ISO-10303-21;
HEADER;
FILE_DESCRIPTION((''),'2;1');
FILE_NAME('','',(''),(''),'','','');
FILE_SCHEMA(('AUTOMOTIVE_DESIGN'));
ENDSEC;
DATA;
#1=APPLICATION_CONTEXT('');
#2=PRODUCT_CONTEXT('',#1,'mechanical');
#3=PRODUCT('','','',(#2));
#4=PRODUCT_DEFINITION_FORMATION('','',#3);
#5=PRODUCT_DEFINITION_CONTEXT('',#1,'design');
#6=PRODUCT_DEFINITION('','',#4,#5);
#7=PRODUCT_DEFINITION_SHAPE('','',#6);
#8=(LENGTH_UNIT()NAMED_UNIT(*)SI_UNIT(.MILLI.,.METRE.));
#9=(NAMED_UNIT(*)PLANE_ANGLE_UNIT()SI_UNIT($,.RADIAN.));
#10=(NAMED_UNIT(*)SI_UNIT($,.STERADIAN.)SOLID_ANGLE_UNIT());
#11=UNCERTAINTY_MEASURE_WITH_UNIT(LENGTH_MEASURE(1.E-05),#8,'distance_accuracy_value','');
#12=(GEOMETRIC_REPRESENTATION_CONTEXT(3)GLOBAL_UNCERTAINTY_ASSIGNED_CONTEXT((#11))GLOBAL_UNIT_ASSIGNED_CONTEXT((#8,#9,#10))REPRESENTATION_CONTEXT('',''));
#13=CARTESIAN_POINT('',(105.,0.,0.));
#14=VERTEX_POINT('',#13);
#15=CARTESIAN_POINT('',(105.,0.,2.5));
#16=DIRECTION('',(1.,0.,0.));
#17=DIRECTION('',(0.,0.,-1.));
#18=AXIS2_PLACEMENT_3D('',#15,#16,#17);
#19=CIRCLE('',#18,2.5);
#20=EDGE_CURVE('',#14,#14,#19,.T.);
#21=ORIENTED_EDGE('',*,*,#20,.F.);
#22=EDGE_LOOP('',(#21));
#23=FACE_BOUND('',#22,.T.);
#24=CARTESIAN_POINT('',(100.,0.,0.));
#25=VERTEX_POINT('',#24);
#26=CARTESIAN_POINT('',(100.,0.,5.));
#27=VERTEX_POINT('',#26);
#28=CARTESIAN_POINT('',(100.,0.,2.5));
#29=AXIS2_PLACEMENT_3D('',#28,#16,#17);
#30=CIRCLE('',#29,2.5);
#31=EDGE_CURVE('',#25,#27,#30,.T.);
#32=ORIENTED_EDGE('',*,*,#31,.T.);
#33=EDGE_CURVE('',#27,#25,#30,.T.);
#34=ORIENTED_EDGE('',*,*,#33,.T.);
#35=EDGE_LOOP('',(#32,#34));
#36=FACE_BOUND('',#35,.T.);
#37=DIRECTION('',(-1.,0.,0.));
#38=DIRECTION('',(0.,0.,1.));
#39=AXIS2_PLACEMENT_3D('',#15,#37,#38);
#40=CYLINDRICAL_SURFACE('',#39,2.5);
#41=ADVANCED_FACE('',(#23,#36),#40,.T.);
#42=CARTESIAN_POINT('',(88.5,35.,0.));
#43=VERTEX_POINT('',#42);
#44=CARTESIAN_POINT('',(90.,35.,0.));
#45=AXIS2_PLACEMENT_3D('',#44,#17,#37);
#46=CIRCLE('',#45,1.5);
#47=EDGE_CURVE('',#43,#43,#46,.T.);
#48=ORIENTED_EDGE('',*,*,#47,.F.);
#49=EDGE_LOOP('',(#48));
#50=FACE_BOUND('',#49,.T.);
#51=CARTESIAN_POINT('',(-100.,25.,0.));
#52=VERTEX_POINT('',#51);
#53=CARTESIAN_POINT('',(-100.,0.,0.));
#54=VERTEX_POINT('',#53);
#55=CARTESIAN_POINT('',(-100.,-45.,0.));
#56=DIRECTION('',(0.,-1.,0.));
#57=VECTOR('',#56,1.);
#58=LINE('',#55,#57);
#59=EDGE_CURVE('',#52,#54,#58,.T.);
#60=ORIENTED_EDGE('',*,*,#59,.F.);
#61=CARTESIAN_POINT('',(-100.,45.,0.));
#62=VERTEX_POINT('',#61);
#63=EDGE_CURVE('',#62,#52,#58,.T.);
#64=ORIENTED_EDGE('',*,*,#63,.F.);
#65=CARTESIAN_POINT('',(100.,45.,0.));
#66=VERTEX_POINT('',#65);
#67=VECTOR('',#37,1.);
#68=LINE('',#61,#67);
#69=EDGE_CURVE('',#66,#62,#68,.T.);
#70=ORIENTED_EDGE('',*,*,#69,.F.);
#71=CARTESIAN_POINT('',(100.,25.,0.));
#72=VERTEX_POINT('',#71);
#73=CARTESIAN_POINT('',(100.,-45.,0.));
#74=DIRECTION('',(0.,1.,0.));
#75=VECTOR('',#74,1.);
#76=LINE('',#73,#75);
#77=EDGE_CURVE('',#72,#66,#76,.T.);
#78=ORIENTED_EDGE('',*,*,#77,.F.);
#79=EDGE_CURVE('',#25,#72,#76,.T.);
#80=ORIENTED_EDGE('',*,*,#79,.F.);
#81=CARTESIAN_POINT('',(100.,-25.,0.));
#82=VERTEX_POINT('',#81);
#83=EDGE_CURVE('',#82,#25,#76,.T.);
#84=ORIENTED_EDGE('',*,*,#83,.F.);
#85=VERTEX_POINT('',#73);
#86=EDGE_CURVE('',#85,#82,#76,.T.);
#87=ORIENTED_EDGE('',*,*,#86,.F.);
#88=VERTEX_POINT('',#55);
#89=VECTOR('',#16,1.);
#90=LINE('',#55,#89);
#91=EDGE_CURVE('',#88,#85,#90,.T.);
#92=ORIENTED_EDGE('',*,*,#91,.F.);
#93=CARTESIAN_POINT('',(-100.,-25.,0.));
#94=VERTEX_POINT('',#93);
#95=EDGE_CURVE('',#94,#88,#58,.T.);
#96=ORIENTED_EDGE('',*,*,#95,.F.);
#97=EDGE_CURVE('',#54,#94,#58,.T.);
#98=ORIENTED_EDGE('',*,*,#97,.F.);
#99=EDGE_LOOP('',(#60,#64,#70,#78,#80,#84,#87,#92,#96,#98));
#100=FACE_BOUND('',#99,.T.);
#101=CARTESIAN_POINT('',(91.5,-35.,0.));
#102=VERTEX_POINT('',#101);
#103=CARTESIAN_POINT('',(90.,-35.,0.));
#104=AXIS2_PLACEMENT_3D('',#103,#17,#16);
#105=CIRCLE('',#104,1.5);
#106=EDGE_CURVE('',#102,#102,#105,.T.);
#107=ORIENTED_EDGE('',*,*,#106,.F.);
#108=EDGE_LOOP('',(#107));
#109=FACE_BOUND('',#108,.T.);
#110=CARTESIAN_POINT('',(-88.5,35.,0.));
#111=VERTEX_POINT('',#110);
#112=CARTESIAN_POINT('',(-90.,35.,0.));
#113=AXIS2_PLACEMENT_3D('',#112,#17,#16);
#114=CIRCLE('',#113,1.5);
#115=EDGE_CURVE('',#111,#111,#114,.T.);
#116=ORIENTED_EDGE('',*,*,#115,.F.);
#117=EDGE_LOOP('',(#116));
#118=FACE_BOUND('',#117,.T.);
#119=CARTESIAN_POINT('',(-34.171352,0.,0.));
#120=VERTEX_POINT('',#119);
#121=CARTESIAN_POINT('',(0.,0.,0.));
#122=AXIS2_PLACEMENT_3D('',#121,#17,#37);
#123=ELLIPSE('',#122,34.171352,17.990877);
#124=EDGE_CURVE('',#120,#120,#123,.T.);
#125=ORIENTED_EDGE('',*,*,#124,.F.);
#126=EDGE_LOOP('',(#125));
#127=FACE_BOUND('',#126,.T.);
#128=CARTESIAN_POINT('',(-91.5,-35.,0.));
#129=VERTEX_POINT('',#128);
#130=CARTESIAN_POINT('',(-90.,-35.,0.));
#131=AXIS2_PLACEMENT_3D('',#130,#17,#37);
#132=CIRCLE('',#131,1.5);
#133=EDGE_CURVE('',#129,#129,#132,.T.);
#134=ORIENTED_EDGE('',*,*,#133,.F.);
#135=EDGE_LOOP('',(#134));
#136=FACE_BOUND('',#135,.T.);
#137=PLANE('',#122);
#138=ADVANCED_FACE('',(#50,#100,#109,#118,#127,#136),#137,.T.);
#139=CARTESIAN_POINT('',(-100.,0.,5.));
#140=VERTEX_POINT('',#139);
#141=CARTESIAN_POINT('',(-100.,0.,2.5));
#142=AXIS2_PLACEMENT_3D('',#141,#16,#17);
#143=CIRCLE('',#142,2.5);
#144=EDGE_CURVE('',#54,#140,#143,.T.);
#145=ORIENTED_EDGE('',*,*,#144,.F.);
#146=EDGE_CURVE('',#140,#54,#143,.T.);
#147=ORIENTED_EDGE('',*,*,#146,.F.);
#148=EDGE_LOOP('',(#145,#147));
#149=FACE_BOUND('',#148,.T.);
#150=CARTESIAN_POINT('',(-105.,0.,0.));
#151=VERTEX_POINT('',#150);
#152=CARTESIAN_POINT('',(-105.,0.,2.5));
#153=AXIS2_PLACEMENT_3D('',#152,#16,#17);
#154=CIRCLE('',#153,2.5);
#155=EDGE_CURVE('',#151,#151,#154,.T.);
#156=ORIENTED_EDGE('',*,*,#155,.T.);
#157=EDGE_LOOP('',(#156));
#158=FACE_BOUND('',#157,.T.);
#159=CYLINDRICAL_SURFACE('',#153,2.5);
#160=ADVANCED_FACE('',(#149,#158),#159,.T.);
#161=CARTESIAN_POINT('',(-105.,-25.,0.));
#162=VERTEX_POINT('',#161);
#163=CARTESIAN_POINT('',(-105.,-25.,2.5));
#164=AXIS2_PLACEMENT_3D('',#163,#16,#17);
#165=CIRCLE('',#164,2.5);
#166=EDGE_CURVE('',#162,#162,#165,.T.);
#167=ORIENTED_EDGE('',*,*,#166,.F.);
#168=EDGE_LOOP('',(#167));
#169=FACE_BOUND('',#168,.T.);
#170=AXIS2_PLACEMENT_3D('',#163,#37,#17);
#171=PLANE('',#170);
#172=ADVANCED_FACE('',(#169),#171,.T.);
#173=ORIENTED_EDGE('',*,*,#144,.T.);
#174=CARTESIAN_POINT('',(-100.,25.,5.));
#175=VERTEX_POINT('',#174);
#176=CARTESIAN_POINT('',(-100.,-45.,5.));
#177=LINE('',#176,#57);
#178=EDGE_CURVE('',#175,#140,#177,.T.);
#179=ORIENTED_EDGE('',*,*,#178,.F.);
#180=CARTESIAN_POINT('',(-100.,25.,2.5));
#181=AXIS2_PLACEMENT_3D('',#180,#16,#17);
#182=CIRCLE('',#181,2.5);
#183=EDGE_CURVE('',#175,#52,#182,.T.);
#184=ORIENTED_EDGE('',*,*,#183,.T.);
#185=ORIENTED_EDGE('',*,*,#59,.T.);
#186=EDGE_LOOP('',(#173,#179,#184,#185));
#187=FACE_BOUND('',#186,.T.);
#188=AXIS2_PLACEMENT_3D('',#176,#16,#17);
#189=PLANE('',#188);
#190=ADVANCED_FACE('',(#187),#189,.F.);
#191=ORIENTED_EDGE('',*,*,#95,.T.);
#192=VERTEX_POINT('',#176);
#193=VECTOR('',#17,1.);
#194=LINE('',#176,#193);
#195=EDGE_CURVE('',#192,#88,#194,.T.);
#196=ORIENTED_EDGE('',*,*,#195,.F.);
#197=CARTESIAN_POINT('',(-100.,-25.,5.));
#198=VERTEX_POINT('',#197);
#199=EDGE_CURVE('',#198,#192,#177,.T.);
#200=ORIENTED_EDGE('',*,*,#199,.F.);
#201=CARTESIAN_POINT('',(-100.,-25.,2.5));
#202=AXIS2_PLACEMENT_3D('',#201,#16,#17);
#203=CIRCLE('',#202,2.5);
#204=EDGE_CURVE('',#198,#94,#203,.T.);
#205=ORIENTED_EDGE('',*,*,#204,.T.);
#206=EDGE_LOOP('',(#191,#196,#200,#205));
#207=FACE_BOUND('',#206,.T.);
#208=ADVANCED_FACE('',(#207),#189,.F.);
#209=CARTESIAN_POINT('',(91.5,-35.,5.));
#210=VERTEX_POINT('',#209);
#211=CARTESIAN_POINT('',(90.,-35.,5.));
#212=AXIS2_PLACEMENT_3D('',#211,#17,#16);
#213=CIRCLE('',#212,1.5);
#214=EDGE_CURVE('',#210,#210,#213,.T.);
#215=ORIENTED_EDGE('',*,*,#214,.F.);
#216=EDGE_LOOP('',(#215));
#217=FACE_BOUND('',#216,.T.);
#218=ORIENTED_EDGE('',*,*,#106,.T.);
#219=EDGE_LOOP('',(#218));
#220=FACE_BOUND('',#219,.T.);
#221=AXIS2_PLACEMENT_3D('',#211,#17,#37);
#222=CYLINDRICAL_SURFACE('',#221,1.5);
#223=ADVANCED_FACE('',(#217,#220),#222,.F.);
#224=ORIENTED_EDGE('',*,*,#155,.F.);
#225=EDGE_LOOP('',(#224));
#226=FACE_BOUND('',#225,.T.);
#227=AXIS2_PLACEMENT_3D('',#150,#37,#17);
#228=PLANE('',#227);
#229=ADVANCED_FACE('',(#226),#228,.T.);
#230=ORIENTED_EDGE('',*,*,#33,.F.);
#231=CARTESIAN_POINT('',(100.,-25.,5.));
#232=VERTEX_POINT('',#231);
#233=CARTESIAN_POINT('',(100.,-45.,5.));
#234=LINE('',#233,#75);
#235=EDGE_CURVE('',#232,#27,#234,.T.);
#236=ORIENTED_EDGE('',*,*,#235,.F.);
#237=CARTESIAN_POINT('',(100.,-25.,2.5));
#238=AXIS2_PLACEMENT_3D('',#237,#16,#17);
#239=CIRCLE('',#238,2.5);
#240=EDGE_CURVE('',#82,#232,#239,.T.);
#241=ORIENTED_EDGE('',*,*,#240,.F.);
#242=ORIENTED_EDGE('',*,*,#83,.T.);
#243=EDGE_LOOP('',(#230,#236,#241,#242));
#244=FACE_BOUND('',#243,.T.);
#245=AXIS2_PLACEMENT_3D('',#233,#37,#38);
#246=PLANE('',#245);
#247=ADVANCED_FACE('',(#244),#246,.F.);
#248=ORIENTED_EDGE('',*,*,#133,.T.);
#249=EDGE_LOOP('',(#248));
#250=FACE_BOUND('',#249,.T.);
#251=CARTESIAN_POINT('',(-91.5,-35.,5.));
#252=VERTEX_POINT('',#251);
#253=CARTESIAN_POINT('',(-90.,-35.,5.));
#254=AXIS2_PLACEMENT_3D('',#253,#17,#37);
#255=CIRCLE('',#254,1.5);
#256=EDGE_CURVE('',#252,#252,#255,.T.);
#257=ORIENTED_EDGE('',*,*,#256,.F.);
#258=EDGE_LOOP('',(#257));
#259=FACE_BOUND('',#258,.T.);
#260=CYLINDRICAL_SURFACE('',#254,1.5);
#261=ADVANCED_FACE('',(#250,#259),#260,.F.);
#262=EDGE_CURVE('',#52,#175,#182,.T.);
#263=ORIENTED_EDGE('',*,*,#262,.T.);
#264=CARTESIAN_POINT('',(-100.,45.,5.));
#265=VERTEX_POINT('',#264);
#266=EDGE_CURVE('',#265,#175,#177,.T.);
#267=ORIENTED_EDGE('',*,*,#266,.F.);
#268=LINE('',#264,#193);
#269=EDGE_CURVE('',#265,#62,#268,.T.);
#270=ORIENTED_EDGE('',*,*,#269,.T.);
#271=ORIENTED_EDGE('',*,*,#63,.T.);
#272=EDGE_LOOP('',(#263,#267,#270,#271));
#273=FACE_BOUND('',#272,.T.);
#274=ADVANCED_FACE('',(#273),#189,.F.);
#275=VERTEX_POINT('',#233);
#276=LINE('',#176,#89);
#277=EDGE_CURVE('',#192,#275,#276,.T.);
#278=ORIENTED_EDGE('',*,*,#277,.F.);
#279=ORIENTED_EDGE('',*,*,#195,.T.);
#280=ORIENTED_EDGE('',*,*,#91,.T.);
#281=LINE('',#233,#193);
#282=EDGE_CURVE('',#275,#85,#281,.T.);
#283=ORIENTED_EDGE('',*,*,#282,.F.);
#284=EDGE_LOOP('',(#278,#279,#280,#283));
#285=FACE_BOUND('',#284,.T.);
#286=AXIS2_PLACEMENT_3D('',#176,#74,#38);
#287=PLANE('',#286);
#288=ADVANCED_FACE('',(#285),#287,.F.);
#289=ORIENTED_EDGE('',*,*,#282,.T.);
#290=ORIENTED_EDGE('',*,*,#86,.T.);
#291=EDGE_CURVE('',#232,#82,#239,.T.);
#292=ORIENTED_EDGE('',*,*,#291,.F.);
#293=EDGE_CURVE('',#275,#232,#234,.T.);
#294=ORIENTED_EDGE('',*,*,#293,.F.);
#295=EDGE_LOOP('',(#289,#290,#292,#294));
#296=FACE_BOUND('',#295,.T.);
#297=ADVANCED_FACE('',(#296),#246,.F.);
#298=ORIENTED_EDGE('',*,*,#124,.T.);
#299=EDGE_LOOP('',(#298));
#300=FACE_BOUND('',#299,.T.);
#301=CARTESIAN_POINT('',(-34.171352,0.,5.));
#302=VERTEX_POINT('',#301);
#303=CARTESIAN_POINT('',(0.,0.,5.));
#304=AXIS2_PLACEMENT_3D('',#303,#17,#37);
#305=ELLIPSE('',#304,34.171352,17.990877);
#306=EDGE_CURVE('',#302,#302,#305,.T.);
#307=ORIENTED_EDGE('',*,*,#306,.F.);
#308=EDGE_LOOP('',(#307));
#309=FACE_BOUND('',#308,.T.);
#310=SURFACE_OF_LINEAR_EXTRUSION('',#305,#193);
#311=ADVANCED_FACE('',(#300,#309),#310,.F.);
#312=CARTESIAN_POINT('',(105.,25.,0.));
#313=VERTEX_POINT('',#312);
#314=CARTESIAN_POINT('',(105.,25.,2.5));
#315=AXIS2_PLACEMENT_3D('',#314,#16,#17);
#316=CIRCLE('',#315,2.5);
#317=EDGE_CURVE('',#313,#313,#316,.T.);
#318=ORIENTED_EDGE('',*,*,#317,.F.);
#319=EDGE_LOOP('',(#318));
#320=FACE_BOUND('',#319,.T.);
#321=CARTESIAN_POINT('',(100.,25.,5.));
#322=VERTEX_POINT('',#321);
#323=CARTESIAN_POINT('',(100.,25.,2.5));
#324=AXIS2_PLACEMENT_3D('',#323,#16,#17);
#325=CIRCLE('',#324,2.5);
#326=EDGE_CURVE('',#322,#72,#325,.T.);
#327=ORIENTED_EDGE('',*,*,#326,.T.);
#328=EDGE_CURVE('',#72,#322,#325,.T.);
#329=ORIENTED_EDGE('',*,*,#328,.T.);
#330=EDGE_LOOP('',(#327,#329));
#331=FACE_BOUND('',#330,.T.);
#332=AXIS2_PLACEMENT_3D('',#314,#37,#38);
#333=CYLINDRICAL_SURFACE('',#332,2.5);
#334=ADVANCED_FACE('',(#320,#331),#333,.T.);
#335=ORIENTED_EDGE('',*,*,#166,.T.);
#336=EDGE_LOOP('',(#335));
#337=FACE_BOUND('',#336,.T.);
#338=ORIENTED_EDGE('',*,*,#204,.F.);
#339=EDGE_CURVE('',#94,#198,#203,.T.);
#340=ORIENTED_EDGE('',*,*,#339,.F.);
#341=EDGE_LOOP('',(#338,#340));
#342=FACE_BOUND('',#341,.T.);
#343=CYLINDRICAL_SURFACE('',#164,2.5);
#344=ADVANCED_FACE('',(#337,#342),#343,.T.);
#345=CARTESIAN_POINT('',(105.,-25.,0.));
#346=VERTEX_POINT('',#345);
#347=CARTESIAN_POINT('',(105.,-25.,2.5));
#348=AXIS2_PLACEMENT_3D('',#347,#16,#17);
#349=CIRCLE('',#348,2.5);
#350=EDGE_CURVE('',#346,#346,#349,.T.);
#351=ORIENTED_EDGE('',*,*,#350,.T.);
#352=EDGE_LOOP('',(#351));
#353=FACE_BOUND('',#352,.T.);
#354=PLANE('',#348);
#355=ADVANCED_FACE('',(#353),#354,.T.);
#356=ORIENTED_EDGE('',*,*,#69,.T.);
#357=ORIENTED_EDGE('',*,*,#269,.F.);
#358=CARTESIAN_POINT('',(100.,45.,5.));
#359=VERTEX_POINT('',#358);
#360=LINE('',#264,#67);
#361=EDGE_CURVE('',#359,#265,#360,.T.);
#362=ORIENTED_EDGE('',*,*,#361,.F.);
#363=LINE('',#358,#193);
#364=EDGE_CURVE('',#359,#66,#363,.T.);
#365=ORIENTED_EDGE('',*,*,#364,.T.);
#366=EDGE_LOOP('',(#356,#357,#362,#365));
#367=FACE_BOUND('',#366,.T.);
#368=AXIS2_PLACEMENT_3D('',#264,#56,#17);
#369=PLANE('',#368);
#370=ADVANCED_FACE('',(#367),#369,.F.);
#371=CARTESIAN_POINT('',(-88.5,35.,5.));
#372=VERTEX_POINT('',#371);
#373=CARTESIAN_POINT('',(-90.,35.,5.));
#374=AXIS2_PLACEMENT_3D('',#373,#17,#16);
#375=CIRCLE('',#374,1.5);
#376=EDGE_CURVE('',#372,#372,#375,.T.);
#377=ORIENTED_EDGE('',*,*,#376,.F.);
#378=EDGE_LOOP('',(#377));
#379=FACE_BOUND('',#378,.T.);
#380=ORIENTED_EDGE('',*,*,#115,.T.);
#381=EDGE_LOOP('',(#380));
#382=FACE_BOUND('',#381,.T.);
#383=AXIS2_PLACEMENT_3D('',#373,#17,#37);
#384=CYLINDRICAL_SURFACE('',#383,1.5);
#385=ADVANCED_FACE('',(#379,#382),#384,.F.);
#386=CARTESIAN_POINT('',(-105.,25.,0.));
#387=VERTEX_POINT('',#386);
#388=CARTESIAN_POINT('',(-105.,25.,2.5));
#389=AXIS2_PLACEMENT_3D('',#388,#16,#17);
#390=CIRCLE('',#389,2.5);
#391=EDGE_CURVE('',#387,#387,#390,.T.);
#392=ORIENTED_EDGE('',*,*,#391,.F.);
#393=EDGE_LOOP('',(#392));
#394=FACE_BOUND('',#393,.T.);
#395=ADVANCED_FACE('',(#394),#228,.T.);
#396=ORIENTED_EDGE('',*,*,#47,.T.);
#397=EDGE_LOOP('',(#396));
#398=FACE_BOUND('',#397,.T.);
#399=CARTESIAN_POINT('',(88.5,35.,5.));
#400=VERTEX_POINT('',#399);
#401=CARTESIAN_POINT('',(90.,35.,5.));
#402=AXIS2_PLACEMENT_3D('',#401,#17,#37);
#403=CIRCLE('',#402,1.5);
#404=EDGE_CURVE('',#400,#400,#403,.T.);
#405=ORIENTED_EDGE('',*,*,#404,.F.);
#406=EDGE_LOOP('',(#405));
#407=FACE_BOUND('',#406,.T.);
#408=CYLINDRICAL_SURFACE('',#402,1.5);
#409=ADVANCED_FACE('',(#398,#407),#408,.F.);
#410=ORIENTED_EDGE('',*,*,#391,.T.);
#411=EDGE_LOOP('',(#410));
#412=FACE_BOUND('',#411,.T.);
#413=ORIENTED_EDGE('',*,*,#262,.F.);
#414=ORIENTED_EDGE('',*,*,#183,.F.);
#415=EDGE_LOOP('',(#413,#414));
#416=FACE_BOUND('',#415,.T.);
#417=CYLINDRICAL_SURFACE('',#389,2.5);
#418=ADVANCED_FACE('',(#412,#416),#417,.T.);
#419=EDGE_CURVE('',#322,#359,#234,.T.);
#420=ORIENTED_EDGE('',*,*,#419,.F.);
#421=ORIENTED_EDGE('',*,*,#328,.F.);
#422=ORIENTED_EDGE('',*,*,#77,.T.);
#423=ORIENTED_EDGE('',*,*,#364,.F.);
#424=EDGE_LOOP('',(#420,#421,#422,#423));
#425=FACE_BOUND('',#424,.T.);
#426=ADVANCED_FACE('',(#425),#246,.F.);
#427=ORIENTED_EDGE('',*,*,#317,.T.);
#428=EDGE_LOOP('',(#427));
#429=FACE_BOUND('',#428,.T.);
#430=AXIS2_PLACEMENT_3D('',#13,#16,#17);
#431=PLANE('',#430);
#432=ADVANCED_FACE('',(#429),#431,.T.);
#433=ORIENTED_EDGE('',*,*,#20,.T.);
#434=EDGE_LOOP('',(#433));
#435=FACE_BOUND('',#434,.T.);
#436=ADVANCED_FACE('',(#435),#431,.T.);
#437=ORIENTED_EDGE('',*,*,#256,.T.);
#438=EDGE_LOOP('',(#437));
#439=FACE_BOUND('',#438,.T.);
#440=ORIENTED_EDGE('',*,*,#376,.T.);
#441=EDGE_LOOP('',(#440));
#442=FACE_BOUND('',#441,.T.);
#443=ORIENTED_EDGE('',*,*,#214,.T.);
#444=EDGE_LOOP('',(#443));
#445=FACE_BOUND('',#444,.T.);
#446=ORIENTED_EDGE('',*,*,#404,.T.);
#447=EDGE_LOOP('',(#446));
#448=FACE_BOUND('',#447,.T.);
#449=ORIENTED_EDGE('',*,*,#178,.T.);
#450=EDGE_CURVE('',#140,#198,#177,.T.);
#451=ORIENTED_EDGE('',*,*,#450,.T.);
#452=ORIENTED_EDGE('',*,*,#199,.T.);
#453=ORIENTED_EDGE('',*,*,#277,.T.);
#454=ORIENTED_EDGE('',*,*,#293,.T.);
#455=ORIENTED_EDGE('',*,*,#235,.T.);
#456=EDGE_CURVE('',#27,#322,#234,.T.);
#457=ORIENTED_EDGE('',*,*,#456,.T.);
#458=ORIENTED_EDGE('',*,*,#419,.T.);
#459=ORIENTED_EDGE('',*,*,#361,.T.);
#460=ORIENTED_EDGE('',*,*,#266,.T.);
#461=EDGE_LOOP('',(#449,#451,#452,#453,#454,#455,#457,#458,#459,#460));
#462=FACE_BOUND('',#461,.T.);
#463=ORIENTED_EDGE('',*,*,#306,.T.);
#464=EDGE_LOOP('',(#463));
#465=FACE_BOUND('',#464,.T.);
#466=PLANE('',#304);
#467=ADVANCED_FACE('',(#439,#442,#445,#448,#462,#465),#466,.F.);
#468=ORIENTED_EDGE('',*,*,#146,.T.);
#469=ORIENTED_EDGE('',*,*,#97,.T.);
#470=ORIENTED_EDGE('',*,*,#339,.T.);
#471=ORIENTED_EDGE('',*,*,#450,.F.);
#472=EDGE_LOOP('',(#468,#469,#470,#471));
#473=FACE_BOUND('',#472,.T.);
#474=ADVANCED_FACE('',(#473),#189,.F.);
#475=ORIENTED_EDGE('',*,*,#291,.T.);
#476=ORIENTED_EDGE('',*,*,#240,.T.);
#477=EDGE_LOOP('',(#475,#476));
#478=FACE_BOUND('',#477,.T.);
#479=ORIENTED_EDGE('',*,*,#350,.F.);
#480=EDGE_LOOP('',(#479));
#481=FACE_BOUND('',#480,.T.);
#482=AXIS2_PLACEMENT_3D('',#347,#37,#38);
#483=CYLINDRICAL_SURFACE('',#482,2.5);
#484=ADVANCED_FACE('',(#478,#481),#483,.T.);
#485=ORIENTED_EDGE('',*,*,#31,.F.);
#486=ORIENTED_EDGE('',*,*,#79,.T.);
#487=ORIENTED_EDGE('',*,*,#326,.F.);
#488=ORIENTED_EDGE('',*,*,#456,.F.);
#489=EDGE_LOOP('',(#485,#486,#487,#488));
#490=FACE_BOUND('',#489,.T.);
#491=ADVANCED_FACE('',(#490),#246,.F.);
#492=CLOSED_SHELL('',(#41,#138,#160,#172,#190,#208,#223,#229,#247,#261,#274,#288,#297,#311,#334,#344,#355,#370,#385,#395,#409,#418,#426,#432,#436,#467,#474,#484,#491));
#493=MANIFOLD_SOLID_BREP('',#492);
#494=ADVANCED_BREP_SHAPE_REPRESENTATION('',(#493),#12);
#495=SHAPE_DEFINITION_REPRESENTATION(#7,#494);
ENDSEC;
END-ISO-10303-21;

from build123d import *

# Parameters (mm, degrees)
SKETCH1_W           = 200
SKETCH1_H           = 90
BOSS_EXTRUDE1_DEPTH = 5
SKETCH2_R           = 2.5
BOSS_EXTRUDE2_DEPTH = 5
SKETCH3_R           = 1.5
SKETCH3_RX          = 34.171351791
SKETCH3_RY          = 17.990877267
CUT_EXTRUDE1_DEPTH  = 5


with BuildPart() as part:
    # Sketch1 → Boss-Extrude1 (new body)
    with BuildSketch(Plane.XY):
        Rectangle(SKETCH1_W, SKETCH1_H)
    extrude(amount=BOSS_EXTRUDE1_DEPTH)

    # Sketch2 → Boss-Extrude2 (add)
    with BuildSketch(Plane(origin=(100, 0, 0), x_dir=(0, 0, -1), z_dir=(1, 0, 0))):
        with Locations((-2.5, 25)):
            Circle(SKETCH2_R)
        with Locations((-2.5, 0)):
            Circle(SKETCH2_R)
        with Locations((-2.5, -25)):
            Circle(SKETCH2_R)
    boss_extrude2 = extrude(amount=BOSS_EXTRUDE2_DEPTH)

    # Mirror1: Boss-Extrude2 across plane
    add(boss_extrude2.mirror(Plane(origin=(0, 0, 0), x_dir=(0, 0, 1), z_dir=(1, 0, 0))))

    # Sketch3 → Cut-Extrude1 (cut)
    with BuildSketch(Plane(origin=(0, 0, 0), x_dir=(-1, 0, 0), z_dir=(0, 0, -1))):
        with Locations((-90, 35)):
            Circle(SKETCH3_R)
        with Locations(Location((-90, -35, 0), (0, 0, 180))):
            Circle(SKETCH3_R)
        with Locations((90, -35)):
            Circle(SKETCH3_R)
        with Locations(Location((90, 35, 0), (0, 0, 180))):
            Circle(SKETCH3_R)
        with Locations((0, 0)):
            Ellipse(SKETCH3_RX, SKETCH3_RY)
    extrude(amount=-CUT_EXTRUDE1_DEPTH, mode=Mode.SUBTRACT)


solid = part.part
